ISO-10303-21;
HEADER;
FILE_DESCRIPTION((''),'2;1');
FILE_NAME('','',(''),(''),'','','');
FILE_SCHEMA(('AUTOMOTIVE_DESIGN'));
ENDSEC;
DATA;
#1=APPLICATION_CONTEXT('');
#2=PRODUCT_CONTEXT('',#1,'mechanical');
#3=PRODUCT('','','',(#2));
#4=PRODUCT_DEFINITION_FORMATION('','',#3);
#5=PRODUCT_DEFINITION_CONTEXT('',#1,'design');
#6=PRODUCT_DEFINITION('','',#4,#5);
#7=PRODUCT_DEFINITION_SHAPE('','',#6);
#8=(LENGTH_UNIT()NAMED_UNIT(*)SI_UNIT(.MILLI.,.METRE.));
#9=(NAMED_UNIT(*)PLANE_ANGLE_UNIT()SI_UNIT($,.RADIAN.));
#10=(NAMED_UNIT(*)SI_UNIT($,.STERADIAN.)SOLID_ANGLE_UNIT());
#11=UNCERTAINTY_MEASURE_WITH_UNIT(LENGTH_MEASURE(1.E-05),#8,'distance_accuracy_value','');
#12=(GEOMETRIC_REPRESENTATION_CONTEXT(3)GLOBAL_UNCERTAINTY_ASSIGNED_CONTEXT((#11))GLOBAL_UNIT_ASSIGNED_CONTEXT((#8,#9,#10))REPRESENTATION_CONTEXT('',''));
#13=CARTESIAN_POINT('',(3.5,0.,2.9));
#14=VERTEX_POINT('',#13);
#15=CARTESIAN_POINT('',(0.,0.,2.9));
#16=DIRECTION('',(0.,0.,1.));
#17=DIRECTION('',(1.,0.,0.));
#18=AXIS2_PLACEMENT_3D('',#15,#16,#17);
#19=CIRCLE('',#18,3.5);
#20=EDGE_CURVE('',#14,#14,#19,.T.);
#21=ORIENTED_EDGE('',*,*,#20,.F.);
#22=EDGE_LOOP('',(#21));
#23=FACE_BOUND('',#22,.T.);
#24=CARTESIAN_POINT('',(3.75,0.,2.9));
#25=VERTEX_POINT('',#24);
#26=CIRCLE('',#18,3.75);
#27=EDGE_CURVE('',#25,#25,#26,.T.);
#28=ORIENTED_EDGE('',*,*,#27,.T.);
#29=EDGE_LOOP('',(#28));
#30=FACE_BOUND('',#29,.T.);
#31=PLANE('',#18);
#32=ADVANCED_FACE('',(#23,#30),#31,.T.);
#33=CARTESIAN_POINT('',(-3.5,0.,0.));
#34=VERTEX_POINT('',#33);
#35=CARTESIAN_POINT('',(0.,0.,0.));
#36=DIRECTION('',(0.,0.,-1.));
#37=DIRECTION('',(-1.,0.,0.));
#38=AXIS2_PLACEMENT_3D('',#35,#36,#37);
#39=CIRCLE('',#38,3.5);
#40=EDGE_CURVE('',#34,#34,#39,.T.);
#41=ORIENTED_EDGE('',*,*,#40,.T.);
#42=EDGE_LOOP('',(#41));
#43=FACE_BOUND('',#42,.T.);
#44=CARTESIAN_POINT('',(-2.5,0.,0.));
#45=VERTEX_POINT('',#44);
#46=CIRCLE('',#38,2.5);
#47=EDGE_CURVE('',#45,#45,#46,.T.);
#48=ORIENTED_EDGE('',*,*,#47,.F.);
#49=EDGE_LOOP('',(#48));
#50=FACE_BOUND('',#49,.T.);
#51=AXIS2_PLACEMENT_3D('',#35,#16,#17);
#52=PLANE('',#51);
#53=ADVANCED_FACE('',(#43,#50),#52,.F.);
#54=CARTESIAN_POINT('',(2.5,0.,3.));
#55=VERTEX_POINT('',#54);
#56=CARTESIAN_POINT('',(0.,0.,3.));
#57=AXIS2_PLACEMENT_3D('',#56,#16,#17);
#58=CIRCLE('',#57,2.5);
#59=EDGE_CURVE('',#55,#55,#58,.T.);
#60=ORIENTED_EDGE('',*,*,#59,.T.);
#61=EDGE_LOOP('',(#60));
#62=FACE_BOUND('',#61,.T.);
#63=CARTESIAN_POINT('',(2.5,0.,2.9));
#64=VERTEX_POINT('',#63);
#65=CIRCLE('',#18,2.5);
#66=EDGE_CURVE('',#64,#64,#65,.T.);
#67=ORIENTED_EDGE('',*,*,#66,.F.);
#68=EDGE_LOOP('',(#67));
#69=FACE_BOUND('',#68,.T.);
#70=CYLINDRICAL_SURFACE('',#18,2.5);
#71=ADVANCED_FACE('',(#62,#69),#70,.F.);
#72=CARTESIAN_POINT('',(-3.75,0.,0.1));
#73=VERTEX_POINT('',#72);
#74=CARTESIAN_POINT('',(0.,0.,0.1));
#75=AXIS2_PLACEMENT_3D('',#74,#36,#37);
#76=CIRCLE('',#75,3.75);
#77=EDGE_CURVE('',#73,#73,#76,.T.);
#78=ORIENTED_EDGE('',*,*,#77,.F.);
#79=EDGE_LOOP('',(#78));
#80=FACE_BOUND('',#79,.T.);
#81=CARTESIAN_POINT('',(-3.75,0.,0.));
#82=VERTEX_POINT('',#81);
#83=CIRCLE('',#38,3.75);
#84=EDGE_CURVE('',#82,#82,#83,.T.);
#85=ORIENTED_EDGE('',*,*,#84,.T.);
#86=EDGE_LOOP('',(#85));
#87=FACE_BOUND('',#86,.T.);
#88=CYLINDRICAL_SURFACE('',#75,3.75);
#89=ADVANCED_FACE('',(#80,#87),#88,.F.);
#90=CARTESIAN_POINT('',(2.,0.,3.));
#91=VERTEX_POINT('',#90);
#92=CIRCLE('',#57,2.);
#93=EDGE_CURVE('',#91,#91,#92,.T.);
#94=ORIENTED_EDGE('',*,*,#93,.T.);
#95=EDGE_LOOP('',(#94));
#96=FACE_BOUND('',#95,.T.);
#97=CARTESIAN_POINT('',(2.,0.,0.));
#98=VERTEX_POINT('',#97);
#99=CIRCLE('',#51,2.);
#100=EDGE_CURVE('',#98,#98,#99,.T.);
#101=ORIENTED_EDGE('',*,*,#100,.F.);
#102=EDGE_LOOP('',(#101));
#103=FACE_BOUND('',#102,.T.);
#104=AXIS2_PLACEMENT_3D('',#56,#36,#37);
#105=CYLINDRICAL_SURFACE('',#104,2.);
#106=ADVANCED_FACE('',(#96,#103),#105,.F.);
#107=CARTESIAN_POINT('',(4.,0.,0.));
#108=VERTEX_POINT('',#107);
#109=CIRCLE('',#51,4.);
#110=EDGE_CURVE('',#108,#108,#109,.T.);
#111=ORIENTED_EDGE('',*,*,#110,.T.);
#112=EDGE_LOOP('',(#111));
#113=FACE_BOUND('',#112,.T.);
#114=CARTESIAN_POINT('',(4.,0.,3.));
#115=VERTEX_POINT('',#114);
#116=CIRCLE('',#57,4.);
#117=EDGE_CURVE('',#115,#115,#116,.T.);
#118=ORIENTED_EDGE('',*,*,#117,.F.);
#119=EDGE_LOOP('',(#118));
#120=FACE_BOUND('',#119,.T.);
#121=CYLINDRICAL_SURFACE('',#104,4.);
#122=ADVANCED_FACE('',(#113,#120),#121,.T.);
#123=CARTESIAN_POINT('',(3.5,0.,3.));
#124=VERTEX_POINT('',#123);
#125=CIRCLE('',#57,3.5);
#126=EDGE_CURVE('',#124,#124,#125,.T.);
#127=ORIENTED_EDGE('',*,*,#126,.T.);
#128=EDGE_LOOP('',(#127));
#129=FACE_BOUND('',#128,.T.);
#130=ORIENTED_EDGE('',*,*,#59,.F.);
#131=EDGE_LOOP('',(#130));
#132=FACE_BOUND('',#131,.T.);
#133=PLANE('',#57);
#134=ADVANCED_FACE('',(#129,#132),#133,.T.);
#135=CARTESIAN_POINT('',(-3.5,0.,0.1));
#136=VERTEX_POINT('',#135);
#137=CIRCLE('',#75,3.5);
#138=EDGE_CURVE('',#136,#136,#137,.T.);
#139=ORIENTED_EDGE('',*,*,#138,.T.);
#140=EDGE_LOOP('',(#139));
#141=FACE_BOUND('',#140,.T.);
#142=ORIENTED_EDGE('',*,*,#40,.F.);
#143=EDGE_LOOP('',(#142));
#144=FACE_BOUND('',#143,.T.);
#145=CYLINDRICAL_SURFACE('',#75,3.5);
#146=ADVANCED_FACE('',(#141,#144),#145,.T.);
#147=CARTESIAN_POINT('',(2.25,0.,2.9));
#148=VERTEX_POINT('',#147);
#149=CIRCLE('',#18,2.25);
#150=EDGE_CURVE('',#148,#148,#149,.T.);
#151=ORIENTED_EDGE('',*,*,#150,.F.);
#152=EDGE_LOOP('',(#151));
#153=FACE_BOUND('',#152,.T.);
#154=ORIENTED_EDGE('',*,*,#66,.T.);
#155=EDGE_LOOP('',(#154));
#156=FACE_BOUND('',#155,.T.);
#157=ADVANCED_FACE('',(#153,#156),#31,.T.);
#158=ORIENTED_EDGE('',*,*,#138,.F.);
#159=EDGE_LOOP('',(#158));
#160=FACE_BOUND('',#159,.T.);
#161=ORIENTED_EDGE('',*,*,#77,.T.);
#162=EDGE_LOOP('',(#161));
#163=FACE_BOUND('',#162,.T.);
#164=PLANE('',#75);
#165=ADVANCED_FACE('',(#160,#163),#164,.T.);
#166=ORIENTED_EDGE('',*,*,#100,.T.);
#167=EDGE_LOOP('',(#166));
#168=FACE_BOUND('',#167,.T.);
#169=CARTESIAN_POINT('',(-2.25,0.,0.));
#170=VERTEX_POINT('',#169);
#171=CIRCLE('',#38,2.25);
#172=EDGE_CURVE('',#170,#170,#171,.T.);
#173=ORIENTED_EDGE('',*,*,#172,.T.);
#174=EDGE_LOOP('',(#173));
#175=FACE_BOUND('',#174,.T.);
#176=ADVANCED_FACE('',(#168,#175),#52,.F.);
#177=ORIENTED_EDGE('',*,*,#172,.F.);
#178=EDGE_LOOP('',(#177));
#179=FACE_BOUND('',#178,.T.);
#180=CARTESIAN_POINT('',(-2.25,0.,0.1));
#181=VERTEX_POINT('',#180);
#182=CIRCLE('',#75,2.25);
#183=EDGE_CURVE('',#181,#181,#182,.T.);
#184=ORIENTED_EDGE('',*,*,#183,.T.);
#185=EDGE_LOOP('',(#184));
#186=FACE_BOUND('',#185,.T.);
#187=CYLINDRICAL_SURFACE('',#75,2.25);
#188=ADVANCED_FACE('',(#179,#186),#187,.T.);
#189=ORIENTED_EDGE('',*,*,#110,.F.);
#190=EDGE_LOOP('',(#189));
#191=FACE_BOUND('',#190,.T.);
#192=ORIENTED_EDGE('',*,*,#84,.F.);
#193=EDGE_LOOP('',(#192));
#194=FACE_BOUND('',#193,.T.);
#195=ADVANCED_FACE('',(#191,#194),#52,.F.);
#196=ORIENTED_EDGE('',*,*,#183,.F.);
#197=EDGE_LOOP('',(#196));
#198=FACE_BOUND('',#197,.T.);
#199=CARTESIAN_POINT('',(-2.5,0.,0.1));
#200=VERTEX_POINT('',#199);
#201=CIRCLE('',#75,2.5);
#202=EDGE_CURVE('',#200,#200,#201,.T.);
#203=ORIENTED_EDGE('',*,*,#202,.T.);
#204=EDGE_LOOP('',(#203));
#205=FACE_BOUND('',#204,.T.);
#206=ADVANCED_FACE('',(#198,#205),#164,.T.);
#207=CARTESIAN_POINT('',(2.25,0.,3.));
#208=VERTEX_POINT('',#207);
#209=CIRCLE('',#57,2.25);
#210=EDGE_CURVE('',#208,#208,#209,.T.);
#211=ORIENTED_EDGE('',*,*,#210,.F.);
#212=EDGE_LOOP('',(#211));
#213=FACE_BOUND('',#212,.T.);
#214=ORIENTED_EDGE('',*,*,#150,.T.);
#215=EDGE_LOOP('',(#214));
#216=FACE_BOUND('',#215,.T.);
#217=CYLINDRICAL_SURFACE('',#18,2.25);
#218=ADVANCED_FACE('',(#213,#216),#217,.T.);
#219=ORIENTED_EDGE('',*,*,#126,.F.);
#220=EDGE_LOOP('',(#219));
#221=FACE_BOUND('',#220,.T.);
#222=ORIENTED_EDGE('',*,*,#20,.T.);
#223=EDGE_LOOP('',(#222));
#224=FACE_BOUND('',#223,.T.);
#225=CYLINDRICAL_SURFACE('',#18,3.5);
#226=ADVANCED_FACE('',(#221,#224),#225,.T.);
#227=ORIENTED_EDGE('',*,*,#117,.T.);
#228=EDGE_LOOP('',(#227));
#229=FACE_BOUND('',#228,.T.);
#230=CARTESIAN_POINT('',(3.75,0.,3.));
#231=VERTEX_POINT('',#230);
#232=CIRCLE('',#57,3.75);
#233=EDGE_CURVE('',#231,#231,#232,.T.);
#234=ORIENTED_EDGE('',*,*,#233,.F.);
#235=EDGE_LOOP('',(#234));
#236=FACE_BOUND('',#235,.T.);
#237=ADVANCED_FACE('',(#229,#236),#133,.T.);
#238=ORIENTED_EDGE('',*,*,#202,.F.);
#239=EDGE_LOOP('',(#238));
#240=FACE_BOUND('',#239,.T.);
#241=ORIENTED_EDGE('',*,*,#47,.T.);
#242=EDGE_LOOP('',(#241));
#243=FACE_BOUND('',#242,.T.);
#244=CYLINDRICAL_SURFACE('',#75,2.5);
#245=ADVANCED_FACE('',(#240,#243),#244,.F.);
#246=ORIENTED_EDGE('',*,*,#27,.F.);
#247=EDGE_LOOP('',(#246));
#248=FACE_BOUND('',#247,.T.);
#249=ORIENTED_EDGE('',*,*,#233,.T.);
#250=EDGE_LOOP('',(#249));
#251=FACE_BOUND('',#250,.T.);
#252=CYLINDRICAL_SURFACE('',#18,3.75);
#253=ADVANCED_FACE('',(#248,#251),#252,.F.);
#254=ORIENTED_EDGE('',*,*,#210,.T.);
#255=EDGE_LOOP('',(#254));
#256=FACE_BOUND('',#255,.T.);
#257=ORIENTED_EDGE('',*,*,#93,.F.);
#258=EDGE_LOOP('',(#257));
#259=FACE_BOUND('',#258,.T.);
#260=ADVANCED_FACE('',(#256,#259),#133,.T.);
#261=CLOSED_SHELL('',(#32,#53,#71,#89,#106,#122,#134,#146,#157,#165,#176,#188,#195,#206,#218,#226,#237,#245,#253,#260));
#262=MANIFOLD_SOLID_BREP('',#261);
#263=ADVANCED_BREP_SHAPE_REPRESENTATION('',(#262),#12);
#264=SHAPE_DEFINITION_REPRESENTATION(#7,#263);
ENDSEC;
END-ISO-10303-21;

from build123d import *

# Parameters (mm, degrees)
SKETCH_1_R          = 4
SKETCH_1_R_2        = 2
EXTRUDE_1_DEPTH     = 3
SKETCH_2_R          = 3.75
SKETCH_2_R_2        = 3.5
SKETCH_2_R_3        = 2.5
SKETCH_2_R_4        = 2.25
CUT_EXTRUDE_1_DEPTH = 0.1
CUT_EXTRUDE_START   = -0.1
SKETCH_3_R          = 3.75
SKETCH_3_R_2        = 3.5
SKETCH_3_R_3        = 2.5
SKETCH_3_R_4        = 2.25
CUT_EXTRUDE_2_DEPTH = 0.1


with BuildPart() as part:
    # 草图1 → 凸台-拉伸1 (new body)
    with BuildSketch(Plane.XY):
        Circle(SKETCH_1_R)
        Circle(SKETCH_1_R_2, mode=Mode.SUBTRACT)
    extrude(amount=EXTRUDE_1_DEPTH)

    # 草图2 → 切除-拉伸1 (cut)
    # profile 1 of 2: a face of its own
    with BuildSketch(Plane.XY.offset(3)):
        Circle(SKETCH_2_R)
        Circle(SKETCH_2_R_2, mode=Mode.SUBTRACT)
    # profile 2 of 2: a face of its own
    with BuildSketch(Plane.XY.offset(3)):
        Circle(SKETCH_2_R_3)
        Circle(SKETCH_2_R_4, mode=Mode.SUBTRACT)
    extrude(amount=-CUT_EXTRUDE_1_DEPTH, mode=Mode.SUBTRACT)

    # 草图3 → 切除-拉伸2 (cut)
    # profile 1 of 2: a face of its own
    with BuildSketch(Plane(origin=(0, 0, 0), x_dir=(-1, 0, 0), z_dir=(0, 0, -1)).offset(CUT_EXTRUDE_START)):
        with Locations(Location((0, 0, 0), (0, 0, 180))):
            Circle(SKETCH_3_R)
        with Locations(Location((0, 0, 0), (0, 0, 180))):
            Circle(SKETCH_3_R_2, mode=Mode.SUBTRACT)
    # profile 2 of 2: a face of its own
    with BuildSketch(Plane(origin=(0, 0, 0), x_dir=(-1, 0, 0), z_dir=(0, 0, -1)).offset(CUT_EXTRUDE_START)):
        with Locations(Location((0, 0, 0), (0, 0, 180))):
            Circle(SKETCH_3_R_3)
        with Locations(Location((0, 0, 0), (0, 0, 180))):
            Circle(SKETCH_3_R_4, mode=Mode.SUBTRACT)
    extrude(amount=CUT_EXTRUDE_2_DEPTH, mode=Mode.SUBTRACT)


solid = part.part
